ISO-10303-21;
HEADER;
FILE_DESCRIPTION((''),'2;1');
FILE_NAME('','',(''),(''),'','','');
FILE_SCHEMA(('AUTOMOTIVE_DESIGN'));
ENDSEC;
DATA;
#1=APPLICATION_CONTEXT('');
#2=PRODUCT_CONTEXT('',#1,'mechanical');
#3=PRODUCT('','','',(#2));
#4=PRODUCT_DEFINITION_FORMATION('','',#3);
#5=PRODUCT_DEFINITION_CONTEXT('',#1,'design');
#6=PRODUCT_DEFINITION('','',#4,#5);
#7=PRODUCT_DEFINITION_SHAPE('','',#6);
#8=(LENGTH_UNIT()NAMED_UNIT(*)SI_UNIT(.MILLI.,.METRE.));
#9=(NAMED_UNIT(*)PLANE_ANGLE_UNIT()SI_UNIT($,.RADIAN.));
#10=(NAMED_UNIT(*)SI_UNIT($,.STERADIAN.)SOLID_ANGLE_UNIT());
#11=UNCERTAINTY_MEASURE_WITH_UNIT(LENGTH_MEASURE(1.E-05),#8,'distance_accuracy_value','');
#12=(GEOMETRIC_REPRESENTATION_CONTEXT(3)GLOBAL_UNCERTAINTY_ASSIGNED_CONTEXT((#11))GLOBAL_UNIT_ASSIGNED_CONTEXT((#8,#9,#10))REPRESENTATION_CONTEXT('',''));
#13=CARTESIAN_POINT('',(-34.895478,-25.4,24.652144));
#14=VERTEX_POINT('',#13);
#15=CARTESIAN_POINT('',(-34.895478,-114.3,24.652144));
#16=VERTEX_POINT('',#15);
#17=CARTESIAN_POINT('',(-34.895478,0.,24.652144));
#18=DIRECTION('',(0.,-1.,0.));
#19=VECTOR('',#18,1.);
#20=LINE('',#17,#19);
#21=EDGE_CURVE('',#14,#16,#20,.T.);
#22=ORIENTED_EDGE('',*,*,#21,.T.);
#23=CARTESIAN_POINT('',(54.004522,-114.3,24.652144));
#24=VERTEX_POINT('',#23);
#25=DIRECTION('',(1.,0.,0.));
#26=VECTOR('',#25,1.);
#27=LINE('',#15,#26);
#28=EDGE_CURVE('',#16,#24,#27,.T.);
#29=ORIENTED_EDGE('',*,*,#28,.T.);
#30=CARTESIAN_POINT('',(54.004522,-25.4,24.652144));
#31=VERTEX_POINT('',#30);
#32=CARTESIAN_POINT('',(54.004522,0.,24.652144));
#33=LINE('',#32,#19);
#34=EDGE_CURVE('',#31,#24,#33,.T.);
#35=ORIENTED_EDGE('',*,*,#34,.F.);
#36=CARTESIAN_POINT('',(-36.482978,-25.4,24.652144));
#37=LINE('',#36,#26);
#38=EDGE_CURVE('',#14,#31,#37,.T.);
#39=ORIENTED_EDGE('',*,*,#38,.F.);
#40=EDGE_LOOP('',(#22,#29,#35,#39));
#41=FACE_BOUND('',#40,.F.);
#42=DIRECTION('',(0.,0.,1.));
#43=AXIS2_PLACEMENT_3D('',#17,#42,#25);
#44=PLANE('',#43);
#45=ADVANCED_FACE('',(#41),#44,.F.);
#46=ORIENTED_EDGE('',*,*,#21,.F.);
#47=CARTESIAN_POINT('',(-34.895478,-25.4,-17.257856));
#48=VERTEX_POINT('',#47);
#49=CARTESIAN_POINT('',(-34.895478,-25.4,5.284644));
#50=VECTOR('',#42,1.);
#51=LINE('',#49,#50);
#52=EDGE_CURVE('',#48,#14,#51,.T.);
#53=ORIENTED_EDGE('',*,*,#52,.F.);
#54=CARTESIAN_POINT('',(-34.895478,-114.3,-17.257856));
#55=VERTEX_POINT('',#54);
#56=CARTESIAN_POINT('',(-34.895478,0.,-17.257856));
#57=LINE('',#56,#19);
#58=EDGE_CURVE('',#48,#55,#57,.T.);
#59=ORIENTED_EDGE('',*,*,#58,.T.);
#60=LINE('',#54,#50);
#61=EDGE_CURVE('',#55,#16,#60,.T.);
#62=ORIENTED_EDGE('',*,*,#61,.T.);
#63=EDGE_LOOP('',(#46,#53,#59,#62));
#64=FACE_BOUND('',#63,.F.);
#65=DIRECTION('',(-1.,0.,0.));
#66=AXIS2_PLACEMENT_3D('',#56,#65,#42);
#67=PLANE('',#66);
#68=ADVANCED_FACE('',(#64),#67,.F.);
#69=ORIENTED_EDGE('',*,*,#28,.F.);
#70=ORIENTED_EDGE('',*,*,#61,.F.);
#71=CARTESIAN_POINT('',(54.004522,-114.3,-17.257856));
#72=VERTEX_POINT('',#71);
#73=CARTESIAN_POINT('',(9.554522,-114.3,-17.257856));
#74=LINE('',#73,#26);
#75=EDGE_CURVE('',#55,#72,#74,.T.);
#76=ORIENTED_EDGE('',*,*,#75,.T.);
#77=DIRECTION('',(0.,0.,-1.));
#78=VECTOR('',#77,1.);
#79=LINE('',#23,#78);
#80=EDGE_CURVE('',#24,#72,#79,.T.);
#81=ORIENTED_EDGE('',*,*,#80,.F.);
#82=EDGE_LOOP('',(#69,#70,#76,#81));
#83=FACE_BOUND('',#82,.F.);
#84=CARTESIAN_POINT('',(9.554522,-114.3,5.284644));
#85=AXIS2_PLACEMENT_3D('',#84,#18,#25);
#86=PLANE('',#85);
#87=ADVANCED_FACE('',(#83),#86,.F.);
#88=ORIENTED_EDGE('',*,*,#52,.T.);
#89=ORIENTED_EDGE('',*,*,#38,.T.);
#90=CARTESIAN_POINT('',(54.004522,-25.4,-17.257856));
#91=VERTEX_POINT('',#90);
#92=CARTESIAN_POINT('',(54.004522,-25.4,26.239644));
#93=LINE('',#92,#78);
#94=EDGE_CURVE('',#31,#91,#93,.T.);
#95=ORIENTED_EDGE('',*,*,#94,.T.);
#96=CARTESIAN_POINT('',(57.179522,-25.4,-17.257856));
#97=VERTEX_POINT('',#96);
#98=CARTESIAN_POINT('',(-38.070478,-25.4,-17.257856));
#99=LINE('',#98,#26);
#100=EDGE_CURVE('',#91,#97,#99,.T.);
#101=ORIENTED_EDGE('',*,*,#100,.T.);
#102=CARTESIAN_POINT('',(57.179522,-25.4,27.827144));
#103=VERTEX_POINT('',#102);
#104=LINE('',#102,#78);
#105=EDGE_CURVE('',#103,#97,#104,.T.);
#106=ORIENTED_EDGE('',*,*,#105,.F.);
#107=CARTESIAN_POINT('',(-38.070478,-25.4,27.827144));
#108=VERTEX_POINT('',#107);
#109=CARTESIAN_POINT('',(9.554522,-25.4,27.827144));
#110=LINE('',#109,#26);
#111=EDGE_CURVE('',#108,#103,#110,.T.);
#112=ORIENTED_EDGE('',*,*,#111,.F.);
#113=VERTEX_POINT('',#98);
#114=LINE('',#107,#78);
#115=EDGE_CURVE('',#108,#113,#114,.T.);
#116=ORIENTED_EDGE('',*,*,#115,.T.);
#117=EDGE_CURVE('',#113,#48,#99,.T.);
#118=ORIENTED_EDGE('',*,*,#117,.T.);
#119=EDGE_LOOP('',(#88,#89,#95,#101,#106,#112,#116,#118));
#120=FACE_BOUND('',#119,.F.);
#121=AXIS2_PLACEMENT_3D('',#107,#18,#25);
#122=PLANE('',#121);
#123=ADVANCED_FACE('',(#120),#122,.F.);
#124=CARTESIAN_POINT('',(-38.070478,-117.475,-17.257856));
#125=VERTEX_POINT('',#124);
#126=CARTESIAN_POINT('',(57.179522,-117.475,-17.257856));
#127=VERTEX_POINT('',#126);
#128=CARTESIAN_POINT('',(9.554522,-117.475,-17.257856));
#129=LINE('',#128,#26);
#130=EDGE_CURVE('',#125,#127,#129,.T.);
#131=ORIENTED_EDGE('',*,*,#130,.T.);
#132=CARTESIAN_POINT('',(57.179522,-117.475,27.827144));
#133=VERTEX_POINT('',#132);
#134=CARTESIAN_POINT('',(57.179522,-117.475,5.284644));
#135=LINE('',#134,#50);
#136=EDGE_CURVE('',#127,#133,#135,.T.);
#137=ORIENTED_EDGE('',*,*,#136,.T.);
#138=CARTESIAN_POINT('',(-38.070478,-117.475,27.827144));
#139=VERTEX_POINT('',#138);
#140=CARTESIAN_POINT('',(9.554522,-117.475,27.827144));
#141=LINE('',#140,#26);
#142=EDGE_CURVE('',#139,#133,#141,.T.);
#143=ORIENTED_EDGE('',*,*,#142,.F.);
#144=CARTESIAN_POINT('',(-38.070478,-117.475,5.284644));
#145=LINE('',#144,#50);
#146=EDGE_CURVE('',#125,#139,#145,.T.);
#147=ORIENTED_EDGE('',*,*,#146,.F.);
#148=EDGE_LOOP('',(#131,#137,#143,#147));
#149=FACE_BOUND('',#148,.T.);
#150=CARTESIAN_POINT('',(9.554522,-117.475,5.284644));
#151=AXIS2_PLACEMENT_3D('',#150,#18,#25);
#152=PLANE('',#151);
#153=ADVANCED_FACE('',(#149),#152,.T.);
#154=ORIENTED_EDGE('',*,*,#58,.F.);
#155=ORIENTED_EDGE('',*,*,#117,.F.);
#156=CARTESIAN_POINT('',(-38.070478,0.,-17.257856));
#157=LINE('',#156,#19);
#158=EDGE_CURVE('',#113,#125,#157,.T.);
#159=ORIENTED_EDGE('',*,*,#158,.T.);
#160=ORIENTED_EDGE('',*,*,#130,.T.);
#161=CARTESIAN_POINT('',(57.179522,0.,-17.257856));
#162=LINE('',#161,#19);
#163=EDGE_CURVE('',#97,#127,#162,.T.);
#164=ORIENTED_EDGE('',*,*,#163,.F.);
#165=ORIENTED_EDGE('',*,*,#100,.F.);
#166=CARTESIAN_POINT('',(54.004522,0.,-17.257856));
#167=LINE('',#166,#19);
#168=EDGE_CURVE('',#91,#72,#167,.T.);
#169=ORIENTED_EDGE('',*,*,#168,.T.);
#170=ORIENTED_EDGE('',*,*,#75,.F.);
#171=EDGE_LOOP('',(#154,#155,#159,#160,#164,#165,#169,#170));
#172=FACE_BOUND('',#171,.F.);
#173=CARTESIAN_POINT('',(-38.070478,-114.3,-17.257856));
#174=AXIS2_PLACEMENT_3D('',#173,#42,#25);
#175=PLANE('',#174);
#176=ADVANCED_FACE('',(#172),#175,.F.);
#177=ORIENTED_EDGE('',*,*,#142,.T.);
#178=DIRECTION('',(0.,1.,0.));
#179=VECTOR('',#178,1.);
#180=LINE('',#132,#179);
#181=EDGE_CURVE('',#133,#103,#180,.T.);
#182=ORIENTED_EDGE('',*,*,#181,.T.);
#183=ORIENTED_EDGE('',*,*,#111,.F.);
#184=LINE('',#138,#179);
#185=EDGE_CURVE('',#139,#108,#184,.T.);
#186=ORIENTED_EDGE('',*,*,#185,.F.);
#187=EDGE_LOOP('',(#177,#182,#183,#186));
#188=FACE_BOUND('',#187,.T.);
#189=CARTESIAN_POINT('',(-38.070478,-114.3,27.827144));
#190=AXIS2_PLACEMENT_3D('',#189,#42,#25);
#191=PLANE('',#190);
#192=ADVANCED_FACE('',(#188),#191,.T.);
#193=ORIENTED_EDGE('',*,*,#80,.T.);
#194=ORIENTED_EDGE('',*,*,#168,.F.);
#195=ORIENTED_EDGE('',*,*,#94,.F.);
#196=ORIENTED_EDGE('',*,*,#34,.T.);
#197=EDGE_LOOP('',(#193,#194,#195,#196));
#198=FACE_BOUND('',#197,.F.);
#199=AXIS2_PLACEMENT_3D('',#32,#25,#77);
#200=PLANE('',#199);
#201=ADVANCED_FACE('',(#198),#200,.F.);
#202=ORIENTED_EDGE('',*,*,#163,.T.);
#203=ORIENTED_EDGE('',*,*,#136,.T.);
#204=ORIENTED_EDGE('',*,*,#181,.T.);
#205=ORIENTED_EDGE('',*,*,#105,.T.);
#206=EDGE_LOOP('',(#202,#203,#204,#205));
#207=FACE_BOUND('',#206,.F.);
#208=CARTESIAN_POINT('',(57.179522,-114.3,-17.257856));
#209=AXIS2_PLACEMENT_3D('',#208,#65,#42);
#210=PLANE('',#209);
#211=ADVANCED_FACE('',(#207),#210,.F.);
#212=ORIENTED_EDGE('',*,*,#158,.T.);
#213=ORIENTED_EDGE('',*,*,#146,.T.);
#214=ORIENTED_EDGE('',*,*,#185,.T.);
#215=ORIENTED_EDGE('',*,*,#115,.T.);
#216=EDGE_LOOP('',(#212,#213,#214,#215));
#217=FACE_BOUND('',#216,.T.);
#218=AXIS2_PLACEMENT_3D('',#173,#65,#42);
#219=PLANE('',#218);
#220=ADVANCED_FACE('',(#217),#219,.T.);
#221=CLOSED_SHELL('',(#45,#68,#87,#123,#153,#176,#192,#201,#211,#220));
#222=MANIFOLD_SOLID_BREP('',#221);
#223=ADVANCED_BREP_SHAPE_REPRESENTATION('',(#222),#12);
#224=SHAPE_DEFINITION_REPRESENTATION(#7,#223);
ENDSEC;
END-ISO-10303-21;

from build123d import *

# Parameters (mm, degrees)
F1_DEPTH = 114.3
F3_W     = 95.25
F3_H     = 45.085
F4_DEPTH = 3.175
F6_D     = 27.432
F6_DEPTH = 3.175
F7_DEPTH = 3.175
F8_W     = 95.25
F8_H     = 25.4
F9_DEPTH = 45.086


with BuildPart() as f1:
    # F0 (on Front) → F1 (new body)
    with BuildSketch(Plane.XZ):
        Polygon((-38.070478, -17.257856), (-34.895478, -17.257856), (-34.895478, 24.652144), (54.004522, 24.652144), (54.004522, -17.257856), (57.179522, -17.257856), (57.179522, 27.827144), (-38.070478, 27.827144), align=None)
    extrude(amount=F1_DEPTH)

    # F3 (on face) + F0 (on Front) → F4 (join)
    with BuildSketch(Plane.XZ.offset(114.3)):
        with Locations((9.554522, 5.284644)):
            Rectangle(F3_W, F3_H)
    with BuildSketch(Plane.XZ):
        Polygon((-38.070478, -17.257856), (-34.895478, -17.257856), (-34.895478, 24.652144), (54.004522, 24.652144), (54.004522, -17.257856), (57.179522, -17.257856), (57.179522, 27.827144), (-38.070478, 27.827144), align=None)
        with BuildLine():
            Line((-34.895478, 24.652144), (-34.895478, -17.257856))
            Line((-34.895478, -17.257856), (-32.609478, -17.257856))
            Line((-32.609478, -17.257856), (-32.609478, 9.669455))
            ThreePointArc((-32.609478, 9.669455), (-18.893478, 21.604144), (-5.177478, 9.669455))
            Line((-5.177478, 9.669455), (-5.177478, -17.257856))
            Line((-5.177478, -17.257856), (54.004522, -17.257856))
            Line((54.004522, -17.257856), (54.004522, 24.652144))
            Line((54.004522, 24.652144), (-34.895478, 24.652144))
        make_face()
        with BuildLine():
            Line((-32.609478, 9.669455), (-32.609478, -17.257856))
            Line((-32.609478, -17.257856), (-5.177478, -17.257856))
            Line((-5.177478, -17.257856), (-5.177478, 9.669455))
            ThreePointArc((-5.177478, 9.669455), (-18.893478, 21.604144), (-32.609478, 9.669455))
        make_face()
    extrude(amount=F4_DEPTH)

    # F6
    with Locations(Plane(origin=(0, 0, 0), x_dir=(1, 0, 0), z_dir=(0, 1, 0))):
        with Locations((-21.159343, 10.779062)):
            Hole(F6_D / 2, depth=F6_DEPTH)

    # F5 (on face) → F7 (cut)
    with BuildSketch(Plane.XZ):
        with BuildLine():
            Line((-34.875343, 10.779062), (-7.443343, 10.779062))
            ThreePointArc((-7.443343, 10.779062), (-21.159343, 24.495062), (-34.875343, 10.779062))
        make_face()
        with BuildLine():
            Line((-7.443343, -18.13873), (-7.443343, 10.779062))
            ThreePointArc((-7.443343, 10.779062), (-21.159343, -2.936938), (-34.875343, 10.779062))
            Line((-34.875343, 10.779062), (-34.875343, -18.13873))
            Line((-34.875343, -18.13873), (-7.443343, -18.13873))
        make_face()
    extrude(amount=F7_DEPTH, mode=Mode.SUBTRACT)

    # F8 (on face) → F9 (cut, through all)
    with BuildSketch(Plane.XY.offset(27.827144)):
        with Locations((9.554522, -12.7)):
            Rectangle(F8_W, F8_H)
    extrude(amount=-F9_DEPTH, mode=Mode.SUBTRACT)


solid = f1.part
